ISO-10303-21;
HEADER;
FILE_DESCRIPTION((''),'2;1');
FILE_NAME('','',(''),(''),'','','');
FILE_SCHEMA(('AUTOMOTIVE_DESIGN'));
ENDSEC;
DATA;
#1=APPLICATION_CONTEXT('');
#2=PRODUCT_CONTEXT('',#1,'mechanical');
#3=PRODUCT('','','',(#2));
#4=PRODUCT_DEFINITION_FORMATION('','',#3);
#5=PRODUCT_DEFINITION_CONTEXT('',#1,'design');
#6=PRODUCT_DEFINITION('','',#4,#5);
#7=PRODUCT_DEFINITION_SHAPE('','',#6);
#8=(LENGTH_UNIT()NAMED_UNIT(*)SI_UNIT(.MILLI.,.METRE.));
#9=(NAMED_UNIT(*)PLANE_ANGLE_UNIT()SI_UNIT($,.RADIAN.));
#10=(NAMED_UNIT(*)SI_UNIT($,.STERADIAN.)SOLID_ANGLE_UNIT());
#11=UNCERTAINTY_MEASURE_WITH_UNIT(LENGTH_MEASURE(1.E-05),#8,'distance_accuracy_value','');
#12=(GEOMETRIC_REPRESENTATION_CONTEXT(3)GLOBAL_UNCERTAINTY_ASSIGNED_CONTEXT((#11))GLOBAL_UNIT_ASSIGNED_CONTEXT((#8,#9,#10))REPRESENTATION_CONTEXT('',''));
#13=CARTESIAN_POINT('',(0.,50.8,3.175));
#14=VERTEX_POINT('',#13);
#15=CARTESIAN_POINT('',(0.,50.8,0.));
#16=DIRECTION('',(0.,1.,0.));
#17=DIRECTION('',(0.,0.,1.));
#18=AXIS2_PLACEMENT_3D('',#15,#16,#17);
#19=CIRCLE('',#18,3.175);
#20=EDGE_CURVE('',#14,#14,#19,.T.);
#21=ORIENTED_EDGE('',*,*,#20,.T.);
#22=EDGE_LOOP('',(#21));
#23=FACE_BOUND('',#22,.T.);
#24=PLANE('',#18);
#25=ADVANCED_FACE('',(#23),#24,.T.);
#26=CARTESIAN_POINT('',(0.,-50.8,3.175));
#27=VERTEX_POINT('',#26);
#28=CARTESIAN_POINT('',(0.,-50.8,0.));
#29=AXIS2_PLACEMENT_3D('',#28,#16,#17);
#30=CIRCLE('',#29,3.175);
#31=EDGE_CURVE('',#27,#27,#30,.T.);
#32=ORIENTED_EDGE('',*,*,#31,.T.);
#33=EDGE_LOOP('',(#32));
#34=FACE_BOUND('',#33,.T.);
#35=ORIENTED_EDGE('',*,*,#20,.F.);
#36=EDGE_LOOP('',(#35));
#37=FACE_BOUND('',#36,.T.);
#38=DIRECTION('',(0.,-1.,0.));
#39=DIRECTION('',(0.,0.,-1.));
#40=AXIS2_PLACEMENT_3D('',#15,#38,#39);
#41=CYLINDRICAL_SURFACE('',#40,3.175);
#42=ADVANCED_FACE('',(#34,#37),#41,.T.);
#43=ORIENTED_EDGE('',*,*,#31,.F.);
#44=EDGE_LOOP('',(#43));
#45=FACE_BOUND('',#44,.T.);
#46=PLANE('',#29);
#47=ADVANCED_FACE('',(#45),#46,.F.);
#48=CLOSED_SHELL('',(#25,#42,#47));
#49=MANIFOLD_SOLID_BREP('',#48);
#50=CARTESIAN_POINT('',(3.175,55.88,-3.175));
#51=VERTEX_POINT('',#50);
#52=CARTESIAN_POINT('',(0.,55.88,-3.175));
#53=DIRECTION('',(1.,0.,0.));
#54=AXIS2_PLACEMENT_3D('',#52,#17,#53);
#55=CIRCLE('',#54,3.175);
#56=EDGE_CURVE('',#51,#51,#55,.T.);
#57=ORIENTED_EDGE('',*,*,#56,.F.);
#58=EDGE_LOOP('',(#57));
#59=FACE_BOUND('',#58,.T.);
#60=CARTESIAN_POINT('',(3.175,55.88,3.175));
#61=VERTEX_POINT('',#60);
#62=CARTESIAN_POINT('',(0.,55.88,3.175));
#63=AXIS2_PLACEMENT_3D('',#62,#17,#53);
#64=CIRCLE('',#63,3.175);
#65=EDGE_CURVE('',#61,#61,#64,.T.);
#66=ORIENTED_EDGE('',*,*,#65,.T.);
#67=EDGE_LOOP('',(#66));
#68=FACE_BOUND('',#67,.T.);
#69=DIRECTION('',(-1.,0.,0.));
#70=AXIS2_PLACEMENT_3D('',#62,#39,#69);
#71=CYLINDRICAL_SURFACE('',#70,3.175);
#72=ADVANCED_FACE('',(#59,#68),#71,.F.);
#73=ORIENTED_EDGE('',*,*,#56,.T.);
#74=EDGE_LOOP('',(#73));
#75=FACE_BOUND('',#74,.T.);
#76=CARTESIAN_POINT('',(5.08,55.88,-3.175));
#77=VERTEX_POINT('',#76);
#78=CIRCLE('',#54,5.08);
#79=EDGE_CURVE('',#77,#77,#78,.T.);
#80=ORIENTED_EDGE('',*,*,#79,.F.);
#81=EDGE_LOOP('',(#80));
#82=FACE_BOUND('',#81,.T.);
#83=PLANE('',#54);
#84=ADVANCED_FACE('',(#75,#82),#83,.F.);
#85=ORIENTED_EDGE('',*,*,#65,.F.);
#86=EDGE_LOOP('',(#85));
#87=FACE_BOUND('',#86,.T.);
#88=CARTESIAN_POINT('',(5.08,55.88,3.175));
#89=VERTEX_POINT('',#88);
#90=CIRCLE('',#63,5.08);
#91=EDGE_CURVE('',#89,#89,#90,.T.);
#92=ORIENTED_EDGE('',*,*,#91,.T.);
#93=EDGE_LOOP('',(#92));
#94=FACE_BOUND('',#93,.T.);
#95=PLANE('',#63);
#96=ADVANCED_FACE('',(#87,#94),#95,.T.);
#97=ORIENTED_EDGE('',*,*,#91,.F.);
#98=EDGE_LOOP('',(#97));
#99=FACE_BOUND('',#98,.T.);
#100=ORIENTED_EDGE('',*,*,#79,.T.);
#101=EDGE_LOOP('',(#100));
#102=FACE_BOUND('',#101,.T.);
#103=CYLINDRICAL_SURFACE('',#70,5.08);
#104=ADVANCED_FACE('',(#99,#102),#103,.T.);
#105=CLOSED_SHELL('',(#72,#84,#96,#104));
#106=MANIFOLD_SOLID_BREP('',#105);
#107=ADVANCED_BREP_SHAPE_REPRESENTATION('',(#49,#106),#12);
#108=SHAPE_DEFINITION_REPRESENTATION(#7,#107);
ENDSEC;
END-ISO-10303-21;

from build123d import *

# Parameters (mm, degrees)
SKETCH1_R           = 3.175
BOSS_EXTRUDE1_DEPTH = 50.8
SKETCH2_R           = 5.08
SKETCH2_R_2         = 3.175
BOSS_EXTRUDE2_DEPTH = 3.175


with BuildPart() as part:
    # Sketch1 → Boss-Extrude1 (new, symmetric)
    with BuildSketch(Plane(origin=(0, 0, 0), x_dir=(1, 0, 0), z_dir=(0, 1, 0))):
        with Locations(Location((0, 0, 0), (0, 0, 270))):
            Circle(SKETCH1_R)
    extrude(amount=BOSS_EXTRUDE1_DEPTH, both=True)


with BuildPart() as body_2:
    # Sketch2 → Boss-Extrude2 (new, symmetric)
    with BuildSketch(Plane.XY):
        with Locations((0, 55.88)):
            Circle(SKETCH2_R)
        with Locations((0, 55.88)):
            Circle(SKETCH2_R_2, mode=Mode.SUBTRACT)
    extrude(amount=BOSS_EXTRUDE2_DEPTH, both=True)


solid = Compound([part.part, body_2.part])
